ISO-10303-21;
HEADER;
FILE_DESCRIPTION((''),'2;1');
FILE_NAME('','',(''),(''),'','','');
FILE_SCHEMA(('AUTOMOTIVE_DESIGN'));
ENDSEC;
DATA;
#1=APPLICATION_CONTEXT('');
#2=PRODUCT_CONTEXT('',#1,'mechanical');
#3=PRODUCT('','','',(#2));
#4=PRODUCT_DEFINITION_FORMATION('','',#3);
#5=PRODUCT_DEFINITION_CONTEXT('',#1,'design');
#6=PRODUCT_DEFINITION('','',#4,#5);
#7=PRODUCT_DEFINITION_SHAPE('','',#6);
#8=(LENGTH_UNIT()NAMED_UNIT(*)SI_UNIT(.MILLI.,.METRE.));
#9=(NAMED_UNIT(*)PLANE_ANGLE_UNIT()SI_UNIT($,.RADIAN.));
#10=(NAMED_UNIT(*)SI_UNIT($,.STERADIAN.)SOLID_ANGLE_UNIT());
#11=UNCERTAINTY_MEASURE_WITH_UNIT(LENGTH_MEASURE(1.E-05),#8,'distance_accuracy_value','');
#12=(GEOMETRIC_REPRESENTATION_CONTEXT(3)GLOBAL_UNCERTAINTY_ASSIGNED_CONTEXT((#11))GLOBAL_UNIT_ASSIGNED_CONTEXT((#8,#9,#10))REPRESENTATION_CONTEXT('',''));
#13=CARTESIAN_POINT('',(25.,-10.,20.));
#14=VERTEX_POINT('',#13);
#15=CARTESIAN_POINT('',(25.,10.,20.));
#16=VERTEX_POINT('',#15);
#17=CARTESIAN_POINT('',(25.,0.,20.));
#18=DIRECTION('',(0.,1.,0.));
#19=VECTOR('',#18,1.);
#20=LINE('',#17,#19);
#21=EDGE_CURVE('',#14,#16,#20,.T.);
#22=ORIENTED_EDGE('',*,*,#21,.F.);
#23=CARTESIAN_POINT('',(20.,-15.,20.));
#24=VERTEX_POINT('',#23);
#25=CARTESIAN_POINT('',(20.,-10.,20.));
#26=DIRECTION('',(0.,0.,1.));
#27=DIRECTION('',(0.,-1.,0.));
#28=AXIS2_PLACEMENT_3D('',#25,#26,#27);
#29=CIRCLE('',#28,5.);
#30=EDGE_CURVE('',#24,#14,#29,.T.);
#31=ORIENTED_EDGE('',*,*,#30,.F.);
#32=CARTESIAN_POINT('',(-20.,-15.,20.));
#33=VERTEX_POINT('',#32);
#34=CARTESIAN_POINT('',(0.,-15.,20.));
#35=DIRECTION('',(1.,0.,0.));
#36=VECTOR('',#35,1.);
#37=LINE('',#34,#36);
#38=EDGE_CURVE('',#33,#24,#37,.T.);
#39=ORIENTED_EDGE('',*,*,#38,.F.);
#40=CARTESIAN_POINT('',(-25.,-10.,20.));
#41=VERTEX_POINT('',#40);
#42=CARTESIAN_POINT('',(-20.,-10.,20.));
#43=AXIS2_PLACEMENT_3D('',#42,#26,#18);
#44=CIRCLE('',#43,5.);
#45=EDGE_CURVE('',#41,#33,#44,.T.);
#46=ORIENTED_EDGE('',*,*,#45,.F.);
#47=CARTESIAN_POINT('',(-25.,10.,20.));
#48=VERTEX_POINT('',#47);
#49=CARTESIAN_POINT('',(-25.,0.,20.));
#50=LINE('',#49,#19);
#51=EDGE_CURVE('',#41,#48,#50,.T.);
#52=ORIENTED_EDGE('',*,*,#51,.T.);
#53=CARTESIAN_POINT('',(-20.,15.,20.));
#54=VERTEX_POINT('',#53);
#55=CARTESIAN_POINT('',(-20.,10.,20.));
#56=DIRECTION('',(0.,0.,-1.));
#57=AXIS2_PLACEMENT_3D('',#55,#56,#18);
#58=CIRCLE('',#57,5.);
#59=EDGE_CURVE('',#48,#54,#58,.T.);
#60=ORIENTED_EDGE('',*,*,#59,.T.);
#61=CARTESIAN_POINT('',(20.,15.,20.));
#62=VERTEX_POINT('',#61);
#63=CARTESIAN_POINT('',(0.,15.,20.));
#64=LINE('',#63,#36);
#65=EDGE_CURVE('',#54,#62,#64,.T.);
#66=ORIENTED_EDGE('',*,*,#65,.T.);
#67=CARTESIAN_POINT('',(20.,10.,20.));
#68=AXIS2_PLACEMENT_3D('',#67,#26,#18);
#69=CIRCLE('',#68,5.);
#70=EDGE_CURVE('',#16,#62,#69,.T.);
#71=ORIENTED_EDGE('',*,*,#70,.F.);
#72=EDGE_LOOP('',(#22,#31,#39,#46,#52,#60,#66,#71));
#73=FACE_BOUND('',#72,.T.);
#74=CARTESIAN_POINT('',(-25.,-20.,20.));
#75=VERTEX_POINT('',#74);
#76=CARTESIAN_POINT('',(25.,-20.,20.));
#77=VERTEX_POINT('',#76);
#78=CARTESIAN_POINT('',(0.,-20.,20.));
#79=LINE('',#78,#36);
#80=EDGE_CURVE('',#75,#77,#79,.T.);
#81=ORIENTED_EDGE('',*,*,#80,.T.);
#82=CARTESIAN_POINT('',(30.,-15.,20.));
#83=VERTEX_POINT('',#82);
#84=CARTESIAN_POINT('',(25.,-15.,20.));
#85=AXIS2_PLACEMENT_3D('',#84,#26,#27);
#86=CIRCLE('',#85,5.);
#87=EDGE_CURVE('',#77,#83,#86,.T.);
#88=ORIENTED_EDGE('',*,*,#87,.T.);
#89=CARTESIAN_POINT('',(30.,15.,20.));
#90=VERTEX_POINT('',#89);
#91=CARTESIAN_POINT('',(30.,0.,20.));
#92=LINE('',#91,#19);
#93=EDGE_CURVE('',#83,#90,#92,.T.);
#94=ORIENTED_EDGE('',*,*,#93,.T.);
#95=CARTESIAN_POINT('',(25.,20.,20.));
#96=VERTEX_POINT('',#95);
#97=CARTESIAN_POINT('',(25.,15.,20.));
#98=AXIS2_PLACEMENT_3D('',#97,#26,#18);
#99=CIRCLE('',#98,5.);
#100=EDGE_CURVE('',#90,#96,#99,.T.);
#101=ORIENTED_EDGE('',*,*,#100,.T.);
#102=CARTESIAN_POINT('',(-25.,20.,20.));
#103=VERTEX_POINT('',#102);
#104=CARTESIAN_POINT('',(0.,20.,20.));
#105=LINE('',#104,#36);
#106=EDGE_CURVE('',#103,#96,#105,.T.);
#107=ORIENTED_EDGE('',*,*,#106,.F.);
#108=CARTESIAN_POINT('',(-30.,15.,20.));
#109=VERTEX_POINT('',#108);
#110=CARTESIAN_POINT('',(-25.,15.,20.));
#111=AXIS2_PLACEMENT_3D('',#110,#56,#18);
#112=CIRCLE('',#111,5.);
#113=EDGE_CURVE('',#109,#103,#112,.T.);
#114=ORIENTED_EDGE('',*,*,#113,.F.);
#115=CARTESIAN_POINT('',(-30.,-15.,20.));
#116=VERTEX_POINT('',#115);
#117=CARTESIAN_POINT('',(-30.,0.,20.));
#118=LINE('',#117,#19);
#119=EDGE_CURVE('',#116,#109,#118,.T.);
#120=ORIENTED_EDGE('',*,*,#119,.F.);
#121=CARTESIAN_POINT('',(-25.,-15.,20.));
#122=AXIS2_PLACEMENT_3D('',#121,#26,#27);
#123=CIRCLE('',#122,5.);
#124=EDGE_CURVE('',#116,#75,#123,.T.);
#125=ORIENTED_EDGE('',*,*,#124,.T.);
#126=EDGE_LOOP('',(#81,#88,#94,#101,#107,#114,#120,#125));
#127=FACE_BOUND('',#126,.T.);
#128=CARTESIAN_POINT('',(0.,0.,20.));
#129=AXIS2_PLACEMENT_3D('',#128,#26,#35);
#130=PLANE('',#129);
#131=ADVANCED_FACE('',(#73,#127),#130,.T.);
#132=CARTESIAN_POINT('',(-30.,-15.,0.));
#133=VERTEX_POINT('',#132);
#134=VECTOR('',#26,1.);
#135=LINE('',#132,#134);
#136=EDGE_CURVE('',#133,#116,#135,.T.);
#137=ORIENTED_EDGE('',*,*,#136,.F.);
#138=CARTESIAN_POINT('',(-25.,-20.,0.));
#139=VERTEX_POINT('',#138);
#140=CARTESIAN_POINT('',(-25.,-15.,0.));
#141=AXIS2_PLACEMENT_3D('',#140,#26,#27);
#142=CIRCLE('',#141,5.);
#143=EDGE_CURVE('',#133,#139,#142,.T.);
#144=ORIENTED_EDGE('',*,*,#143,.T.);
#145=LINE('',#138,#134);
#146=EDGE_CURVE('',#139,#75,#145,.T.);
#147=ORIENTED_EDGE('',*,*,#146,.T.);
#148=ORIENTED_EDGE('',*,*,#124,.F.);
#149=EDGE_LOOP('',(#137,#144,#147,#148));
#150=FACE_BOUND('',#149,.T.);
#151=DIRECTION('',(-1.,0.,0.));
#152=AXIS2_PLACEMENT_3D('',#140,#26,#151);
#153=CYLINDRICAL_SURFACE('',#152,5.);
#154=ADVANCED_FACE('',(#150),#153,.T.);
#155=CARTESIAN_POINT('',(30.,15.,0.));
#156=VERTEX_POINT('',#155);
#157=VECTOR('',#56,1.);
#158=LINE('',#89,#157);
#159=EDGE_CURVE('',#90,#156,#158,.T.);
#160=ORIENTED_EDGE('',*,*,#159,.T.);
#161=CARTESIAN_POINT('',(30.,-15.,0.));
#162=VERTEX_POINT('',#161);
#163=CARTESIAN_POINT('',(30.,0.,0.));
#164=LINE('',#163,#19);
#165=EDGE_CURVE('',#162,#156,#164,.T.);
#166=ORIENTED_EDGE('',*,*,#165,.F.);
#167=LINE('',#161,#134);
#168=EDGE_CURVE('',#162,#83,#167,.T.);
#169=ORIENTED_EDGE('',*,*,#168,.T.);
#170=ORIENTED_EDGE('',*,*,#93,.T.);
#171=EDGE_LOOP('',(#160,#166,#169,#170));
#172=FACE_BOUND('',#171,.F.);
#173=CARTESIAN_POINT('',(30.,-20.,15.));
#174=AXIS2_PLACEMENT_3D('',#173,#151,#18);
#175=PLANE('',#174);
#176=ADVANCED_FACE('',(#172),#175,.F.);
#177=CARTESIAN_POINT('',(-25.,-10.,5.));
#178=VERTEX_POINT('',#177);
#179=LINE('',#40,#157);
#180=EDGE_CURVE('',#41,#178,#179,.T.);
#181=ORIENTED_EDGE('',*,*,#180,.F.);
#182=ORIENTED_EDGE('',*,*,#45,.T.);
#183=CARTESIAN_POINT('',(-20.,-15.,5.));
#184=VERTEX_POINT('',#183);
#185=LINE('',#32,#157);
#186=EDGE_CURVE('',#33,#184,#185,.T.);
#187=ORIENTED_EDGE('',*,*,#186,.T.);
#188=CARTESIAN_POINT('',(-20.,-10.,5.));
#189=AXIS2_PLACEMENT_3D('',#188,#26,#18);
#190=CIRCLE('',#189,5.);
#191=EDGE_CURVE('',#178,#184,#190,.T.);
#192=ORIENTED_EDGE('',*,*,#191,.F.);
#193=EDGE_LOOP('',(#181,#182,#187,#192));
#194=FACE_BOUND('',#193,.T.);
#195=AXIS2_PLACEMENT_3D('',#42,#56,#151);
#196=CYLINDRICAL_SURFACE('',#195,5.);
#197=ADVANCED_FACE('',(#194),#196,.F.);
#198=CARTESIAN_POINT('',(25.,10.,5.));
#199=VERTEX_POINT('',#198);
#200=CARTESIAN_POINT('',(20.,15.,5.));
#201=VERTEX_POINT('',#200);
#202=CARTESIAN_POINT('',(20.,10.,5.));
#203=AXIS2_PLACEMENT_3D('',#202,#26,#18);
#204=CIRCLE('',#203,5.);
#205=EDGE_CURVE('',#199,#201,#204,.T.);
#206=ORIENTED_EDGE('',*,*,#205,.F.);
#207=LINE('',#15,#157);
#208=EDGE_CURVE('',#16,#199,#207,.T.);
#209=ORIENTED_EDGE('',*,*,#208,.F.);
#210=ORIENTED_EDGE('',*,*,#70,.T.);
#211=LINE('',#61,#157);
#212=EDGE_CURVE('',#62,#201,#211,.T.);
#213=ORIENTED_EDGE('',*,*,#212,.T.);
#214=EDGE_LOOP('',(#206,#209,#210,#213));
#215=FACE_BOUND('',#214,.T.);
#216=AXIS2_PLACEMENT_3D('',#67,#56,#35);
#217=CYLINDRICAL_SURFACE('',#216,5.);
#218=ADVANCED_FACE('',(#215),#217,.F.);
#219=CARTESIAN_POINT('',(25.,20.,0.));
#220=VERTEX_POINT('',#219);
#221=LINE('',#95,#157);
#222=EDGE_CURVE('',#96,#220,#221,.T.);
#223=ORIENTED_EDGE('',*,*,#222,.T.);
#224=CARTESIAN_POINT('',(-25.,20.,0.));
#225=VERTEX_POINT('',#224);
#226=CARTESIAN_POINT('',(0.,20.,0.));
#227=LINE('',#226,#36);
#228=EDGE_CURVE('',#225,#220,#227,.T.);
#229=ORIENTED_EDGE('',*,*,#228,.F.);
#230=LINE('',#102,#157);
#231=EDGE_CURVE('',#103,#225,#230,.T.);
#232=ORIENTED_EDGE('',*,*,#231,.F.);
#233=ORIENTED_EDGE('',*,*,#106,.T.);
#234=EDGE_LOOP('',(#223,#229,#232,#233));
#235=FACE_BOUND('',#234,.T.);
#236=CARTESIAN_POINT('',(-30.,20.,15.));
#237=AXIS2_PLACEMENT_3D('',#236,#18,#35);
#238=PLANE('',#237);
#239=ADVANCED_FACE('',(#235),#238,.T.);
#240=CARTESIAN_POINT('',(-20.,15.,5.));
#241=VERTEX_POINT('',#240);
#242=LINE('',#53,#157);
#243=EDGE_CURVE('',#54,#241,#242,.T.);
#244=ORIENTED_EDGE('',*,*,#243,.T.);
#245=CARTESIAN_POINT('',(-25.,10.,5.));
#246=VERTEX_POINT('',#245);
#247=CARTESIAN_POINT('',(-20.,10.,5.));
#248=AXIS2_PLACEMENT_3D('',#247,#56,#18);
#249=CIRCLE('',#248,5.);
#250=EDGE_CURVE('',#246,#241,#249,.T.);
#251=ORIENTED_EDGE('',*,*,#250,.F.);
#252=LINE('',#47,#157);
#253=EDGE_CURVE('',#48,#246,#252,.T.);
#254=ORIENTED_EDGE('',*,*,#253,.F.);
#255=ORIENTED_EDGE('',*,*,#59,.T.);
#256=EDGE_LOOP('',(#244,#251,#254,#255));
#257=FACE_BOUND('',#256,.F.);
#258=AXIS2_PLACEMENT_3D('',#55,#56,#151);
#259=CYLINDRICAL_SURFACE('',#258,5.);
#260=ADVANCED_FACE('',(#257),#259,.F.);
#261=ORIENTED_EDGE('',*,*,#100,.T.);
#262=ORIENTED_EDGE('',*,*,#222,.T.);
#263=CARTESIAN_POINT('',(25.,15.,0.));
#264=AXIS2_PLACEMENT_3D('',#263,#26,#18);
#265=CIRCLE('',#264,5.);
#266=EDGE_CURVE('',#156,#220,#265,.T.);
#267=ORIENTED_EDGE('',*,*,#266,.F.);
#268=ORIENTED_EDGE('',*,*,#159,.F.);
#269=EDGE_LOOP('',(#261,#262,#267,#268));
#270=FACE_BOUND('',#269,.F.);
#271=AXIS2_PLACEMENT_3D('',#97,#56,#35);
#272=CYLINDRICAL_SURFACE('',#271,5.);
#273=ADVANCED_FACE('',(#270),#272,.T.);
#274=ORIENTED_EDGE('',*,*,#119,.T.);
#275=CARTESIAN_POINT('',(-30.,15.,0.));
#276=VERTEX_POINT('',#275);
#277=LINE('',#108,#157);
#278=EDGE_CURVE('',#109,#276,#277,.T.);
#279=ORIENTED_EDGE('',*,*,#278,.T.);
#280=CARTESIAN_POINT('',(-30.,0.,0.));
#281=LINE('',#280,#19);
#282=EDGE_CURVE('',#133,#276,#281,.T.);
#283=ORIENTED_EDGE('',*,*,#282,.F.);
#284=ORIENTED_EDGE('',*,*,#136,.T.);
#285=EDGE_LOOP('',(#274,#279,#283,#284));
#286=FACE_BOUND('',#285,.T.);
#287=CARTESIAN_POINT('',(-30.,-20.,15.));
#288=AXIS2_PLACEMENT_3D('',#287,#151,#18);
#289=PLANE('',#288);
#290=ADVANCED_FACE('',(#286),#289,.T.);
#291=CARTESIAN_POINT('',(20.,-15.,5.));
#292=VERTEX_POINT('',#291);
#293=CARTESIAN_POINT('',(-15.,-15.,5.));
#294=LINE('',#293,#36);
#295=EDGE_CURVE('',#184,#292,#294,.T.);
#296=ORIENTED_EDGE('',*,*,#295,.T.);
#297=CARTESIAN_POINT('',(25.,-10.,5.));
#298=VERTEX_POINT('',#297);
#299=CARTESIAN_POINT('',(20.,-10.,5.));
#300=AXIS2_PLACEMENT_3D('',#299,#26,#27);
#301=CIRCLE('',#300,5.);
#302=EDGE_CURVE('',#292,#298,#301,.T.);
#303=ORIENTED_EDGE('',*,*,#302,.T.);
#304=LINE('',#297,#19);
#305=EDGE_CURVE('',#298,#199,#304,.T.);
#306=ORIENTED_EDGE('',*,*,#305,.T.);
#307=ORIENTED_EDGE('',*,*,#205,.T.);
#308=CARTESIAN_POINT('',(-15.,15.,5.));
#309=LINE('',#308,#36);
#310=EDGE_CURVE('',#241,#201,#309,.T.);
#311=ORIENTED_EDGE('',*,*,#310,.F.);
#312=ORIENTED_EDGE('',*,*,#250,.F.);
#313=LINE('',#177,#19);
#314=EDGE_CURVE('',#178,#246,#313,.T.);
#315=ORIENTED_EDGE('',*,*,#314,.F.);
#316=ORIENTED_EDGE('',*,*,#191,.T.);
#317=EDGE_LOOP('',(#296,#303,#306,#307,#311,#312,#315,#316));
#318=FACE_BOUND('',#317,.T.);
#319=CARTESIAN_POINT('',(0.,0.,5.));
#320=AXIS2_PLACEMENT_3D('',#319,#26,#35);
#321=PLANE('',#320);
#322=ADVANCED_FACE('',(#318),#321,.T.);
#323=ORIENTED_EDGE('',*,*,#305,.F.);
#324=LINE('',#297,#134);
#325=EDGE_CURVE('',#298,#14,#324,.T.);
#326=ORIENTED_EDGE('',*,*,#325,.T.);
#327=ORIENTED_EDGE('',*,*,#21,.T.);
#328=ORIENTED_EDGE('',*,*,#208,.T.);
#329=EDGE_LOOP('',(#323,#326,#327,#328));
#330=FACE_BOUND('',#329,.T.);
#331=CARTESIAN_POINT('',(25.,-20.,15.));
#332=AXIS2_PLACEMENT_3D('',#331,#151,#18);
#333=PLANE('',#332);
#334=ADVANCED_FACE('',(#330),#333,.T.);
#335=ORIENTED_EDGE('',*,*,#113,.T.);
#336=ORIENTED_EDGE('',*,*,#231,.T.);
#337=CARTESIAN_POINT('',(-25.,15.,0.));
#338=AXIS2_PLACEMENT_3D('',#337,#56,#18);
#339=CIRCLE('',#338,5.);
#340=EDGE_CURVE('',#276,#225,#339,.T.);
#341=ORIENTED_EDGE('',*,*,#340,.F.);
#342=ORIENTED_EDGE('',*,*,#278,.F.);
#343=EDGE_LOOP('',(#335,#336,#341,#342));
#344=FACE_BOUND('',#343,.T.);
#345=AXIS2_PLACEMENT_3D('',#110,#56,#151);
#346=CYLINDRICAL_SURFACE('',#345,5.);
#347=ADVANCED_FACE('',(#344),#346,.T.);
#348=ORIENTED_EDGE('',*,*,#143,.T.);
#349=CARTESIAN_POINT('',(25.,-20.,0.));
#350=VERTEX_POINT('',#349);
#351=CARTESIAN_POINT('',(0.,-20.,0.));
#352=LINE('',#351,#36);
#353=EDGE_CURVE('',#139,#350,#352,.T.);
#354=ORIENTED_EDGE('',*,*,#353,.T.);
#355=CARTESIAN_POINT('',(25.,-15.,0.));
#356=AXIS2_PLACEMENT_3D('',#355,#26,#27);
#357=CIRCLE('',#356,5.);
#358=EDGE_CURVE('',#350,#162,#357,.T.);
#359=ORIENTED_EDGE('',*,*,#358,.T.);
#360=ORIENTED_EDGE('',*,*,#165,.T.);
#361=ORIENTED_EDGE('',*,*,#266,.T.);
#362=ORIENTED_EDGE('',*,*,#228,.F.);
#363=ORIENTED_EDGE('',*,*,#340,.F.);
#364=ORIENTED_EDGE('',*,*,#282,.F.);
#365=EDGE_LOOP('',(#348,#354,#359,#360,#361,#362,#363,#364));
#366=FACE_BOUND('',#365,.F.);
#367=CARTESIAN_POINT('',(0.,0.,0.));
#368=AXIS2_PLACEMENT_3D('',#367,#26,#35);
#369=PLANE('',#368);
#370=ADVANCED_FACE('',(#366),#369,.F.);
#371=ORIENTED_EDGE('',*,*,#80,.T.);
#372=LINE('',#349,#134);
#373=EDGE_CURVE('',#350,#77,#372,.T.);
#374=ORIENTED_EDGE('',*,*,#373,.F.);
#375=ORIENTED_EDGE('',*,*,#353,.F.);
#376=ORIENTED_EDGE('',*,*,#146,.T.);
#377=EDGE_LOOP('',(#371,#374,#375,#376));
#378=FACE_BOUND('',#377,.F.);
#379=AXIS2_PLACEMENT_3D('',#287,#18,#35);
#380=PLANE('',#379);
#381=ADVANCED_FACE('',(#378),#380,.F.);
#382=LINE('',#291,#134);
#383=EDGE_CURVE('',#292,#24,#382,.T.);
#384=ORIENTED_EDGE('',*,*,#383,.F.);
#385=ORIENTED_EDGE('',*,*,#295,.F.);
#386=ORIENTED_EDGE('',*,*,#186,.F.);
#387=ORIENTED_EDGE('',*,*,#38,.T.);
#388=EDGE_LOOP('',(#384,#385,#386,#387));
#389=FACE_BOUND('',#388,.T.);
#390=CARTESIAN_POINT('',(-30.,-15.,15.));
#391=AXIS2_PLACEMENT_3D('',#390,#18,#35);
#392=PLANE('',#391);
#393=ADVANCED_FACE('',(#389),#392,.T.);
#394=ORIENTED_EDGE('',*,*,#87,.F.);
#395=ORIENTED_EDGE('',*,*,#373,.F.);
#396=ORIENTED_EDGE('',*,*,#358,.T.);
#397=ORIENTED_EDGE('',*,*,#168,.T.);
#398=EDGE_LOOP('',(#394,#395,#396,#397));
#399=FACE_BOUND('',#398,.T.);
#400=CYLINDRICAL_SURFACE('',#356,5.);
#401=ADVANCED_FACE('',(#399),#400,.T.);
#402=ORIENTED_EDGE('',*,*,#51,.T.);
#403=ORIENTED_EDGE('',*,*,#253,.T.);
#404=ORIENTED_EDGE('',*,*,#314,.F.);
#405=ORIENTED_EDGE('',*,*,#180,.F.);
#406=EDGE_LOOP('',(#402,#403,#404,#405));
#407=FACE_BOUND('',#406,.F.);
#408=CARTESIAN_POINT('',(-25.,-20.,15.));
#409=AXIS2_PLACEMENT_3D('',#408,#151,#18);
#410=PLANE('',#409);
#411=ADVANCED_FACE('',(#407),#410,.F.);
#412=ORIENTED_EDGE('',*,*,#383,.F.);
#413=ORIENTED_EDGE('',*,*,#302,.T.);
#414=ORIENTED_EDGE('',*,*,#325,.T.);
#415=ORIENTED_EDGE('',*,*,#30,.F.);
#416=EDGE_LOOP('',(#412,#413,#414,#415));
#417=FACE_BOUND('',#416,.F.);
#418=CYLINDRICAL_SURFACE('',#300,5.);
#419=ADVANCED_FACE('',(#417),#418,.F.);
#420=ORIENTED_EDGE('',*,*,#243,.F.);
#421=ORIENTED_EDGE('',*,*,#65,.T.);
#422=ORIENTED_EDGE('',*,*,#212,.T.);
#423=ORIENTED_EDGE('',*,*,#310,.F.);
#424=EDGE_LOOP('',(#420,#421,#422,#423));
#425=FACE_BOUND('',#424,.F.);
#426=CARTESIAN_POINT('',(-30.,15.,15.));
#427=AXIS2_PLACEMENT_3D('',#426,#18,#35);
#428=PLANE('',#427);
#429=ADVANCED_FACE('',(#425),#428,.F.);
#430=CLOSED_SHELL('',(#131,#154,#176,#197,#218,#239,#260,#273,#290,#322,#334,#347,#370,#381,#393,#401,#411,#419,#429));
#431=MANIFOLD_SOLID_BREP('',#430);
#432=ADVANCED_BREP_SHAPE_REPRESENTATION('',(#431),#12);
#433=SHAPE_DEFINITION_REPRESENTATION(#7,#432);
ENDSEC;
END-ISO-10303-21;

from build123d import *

# Parameters (mm, degrees)
F0_W     = 60
F0_H     = 40
F1_DEPTH = 15
F2_DEPTH = 5
F3_T     = -5
F4_R     = 5


with BuildPart() as f1:
    # F0 (on Top) → F1 (new body)
    with BuildSketch(Plane.XY):
        Rectangle(F0_W, F0_H)
    extrude(amount=F1_DEPTH)

    # F2 (add): a face of the model
    f2_faces = [f1.faces().sort_by_distance(p)[0] for p in [
        (0, 0, 15),
    ]]
    extrude(f2_faces, amount=F2_DEPTH)

    # F3
    f3_openings = [f1.faces().sort_by_distance(p)[0] for p in [
        (0, 0, 20),
    ]]
    offset(amount=F3_T, openings=f3_openings)

    # F4
    f4_edges = [f1.edges().sort_by_distance(p)[0] for p in [
        (-30, 20, 10),
        (-30, -20, 10),
        (30, -20, 10),
        (30, 20, 10),
        (25, 15, 12.5),
        (-25, 15, 12.5),
        (25, -15, 12.5),
        (-25, -15, 12.5),
    ]]
    fillet(f4_edges, radius=F4_R)


solid = f1.part
